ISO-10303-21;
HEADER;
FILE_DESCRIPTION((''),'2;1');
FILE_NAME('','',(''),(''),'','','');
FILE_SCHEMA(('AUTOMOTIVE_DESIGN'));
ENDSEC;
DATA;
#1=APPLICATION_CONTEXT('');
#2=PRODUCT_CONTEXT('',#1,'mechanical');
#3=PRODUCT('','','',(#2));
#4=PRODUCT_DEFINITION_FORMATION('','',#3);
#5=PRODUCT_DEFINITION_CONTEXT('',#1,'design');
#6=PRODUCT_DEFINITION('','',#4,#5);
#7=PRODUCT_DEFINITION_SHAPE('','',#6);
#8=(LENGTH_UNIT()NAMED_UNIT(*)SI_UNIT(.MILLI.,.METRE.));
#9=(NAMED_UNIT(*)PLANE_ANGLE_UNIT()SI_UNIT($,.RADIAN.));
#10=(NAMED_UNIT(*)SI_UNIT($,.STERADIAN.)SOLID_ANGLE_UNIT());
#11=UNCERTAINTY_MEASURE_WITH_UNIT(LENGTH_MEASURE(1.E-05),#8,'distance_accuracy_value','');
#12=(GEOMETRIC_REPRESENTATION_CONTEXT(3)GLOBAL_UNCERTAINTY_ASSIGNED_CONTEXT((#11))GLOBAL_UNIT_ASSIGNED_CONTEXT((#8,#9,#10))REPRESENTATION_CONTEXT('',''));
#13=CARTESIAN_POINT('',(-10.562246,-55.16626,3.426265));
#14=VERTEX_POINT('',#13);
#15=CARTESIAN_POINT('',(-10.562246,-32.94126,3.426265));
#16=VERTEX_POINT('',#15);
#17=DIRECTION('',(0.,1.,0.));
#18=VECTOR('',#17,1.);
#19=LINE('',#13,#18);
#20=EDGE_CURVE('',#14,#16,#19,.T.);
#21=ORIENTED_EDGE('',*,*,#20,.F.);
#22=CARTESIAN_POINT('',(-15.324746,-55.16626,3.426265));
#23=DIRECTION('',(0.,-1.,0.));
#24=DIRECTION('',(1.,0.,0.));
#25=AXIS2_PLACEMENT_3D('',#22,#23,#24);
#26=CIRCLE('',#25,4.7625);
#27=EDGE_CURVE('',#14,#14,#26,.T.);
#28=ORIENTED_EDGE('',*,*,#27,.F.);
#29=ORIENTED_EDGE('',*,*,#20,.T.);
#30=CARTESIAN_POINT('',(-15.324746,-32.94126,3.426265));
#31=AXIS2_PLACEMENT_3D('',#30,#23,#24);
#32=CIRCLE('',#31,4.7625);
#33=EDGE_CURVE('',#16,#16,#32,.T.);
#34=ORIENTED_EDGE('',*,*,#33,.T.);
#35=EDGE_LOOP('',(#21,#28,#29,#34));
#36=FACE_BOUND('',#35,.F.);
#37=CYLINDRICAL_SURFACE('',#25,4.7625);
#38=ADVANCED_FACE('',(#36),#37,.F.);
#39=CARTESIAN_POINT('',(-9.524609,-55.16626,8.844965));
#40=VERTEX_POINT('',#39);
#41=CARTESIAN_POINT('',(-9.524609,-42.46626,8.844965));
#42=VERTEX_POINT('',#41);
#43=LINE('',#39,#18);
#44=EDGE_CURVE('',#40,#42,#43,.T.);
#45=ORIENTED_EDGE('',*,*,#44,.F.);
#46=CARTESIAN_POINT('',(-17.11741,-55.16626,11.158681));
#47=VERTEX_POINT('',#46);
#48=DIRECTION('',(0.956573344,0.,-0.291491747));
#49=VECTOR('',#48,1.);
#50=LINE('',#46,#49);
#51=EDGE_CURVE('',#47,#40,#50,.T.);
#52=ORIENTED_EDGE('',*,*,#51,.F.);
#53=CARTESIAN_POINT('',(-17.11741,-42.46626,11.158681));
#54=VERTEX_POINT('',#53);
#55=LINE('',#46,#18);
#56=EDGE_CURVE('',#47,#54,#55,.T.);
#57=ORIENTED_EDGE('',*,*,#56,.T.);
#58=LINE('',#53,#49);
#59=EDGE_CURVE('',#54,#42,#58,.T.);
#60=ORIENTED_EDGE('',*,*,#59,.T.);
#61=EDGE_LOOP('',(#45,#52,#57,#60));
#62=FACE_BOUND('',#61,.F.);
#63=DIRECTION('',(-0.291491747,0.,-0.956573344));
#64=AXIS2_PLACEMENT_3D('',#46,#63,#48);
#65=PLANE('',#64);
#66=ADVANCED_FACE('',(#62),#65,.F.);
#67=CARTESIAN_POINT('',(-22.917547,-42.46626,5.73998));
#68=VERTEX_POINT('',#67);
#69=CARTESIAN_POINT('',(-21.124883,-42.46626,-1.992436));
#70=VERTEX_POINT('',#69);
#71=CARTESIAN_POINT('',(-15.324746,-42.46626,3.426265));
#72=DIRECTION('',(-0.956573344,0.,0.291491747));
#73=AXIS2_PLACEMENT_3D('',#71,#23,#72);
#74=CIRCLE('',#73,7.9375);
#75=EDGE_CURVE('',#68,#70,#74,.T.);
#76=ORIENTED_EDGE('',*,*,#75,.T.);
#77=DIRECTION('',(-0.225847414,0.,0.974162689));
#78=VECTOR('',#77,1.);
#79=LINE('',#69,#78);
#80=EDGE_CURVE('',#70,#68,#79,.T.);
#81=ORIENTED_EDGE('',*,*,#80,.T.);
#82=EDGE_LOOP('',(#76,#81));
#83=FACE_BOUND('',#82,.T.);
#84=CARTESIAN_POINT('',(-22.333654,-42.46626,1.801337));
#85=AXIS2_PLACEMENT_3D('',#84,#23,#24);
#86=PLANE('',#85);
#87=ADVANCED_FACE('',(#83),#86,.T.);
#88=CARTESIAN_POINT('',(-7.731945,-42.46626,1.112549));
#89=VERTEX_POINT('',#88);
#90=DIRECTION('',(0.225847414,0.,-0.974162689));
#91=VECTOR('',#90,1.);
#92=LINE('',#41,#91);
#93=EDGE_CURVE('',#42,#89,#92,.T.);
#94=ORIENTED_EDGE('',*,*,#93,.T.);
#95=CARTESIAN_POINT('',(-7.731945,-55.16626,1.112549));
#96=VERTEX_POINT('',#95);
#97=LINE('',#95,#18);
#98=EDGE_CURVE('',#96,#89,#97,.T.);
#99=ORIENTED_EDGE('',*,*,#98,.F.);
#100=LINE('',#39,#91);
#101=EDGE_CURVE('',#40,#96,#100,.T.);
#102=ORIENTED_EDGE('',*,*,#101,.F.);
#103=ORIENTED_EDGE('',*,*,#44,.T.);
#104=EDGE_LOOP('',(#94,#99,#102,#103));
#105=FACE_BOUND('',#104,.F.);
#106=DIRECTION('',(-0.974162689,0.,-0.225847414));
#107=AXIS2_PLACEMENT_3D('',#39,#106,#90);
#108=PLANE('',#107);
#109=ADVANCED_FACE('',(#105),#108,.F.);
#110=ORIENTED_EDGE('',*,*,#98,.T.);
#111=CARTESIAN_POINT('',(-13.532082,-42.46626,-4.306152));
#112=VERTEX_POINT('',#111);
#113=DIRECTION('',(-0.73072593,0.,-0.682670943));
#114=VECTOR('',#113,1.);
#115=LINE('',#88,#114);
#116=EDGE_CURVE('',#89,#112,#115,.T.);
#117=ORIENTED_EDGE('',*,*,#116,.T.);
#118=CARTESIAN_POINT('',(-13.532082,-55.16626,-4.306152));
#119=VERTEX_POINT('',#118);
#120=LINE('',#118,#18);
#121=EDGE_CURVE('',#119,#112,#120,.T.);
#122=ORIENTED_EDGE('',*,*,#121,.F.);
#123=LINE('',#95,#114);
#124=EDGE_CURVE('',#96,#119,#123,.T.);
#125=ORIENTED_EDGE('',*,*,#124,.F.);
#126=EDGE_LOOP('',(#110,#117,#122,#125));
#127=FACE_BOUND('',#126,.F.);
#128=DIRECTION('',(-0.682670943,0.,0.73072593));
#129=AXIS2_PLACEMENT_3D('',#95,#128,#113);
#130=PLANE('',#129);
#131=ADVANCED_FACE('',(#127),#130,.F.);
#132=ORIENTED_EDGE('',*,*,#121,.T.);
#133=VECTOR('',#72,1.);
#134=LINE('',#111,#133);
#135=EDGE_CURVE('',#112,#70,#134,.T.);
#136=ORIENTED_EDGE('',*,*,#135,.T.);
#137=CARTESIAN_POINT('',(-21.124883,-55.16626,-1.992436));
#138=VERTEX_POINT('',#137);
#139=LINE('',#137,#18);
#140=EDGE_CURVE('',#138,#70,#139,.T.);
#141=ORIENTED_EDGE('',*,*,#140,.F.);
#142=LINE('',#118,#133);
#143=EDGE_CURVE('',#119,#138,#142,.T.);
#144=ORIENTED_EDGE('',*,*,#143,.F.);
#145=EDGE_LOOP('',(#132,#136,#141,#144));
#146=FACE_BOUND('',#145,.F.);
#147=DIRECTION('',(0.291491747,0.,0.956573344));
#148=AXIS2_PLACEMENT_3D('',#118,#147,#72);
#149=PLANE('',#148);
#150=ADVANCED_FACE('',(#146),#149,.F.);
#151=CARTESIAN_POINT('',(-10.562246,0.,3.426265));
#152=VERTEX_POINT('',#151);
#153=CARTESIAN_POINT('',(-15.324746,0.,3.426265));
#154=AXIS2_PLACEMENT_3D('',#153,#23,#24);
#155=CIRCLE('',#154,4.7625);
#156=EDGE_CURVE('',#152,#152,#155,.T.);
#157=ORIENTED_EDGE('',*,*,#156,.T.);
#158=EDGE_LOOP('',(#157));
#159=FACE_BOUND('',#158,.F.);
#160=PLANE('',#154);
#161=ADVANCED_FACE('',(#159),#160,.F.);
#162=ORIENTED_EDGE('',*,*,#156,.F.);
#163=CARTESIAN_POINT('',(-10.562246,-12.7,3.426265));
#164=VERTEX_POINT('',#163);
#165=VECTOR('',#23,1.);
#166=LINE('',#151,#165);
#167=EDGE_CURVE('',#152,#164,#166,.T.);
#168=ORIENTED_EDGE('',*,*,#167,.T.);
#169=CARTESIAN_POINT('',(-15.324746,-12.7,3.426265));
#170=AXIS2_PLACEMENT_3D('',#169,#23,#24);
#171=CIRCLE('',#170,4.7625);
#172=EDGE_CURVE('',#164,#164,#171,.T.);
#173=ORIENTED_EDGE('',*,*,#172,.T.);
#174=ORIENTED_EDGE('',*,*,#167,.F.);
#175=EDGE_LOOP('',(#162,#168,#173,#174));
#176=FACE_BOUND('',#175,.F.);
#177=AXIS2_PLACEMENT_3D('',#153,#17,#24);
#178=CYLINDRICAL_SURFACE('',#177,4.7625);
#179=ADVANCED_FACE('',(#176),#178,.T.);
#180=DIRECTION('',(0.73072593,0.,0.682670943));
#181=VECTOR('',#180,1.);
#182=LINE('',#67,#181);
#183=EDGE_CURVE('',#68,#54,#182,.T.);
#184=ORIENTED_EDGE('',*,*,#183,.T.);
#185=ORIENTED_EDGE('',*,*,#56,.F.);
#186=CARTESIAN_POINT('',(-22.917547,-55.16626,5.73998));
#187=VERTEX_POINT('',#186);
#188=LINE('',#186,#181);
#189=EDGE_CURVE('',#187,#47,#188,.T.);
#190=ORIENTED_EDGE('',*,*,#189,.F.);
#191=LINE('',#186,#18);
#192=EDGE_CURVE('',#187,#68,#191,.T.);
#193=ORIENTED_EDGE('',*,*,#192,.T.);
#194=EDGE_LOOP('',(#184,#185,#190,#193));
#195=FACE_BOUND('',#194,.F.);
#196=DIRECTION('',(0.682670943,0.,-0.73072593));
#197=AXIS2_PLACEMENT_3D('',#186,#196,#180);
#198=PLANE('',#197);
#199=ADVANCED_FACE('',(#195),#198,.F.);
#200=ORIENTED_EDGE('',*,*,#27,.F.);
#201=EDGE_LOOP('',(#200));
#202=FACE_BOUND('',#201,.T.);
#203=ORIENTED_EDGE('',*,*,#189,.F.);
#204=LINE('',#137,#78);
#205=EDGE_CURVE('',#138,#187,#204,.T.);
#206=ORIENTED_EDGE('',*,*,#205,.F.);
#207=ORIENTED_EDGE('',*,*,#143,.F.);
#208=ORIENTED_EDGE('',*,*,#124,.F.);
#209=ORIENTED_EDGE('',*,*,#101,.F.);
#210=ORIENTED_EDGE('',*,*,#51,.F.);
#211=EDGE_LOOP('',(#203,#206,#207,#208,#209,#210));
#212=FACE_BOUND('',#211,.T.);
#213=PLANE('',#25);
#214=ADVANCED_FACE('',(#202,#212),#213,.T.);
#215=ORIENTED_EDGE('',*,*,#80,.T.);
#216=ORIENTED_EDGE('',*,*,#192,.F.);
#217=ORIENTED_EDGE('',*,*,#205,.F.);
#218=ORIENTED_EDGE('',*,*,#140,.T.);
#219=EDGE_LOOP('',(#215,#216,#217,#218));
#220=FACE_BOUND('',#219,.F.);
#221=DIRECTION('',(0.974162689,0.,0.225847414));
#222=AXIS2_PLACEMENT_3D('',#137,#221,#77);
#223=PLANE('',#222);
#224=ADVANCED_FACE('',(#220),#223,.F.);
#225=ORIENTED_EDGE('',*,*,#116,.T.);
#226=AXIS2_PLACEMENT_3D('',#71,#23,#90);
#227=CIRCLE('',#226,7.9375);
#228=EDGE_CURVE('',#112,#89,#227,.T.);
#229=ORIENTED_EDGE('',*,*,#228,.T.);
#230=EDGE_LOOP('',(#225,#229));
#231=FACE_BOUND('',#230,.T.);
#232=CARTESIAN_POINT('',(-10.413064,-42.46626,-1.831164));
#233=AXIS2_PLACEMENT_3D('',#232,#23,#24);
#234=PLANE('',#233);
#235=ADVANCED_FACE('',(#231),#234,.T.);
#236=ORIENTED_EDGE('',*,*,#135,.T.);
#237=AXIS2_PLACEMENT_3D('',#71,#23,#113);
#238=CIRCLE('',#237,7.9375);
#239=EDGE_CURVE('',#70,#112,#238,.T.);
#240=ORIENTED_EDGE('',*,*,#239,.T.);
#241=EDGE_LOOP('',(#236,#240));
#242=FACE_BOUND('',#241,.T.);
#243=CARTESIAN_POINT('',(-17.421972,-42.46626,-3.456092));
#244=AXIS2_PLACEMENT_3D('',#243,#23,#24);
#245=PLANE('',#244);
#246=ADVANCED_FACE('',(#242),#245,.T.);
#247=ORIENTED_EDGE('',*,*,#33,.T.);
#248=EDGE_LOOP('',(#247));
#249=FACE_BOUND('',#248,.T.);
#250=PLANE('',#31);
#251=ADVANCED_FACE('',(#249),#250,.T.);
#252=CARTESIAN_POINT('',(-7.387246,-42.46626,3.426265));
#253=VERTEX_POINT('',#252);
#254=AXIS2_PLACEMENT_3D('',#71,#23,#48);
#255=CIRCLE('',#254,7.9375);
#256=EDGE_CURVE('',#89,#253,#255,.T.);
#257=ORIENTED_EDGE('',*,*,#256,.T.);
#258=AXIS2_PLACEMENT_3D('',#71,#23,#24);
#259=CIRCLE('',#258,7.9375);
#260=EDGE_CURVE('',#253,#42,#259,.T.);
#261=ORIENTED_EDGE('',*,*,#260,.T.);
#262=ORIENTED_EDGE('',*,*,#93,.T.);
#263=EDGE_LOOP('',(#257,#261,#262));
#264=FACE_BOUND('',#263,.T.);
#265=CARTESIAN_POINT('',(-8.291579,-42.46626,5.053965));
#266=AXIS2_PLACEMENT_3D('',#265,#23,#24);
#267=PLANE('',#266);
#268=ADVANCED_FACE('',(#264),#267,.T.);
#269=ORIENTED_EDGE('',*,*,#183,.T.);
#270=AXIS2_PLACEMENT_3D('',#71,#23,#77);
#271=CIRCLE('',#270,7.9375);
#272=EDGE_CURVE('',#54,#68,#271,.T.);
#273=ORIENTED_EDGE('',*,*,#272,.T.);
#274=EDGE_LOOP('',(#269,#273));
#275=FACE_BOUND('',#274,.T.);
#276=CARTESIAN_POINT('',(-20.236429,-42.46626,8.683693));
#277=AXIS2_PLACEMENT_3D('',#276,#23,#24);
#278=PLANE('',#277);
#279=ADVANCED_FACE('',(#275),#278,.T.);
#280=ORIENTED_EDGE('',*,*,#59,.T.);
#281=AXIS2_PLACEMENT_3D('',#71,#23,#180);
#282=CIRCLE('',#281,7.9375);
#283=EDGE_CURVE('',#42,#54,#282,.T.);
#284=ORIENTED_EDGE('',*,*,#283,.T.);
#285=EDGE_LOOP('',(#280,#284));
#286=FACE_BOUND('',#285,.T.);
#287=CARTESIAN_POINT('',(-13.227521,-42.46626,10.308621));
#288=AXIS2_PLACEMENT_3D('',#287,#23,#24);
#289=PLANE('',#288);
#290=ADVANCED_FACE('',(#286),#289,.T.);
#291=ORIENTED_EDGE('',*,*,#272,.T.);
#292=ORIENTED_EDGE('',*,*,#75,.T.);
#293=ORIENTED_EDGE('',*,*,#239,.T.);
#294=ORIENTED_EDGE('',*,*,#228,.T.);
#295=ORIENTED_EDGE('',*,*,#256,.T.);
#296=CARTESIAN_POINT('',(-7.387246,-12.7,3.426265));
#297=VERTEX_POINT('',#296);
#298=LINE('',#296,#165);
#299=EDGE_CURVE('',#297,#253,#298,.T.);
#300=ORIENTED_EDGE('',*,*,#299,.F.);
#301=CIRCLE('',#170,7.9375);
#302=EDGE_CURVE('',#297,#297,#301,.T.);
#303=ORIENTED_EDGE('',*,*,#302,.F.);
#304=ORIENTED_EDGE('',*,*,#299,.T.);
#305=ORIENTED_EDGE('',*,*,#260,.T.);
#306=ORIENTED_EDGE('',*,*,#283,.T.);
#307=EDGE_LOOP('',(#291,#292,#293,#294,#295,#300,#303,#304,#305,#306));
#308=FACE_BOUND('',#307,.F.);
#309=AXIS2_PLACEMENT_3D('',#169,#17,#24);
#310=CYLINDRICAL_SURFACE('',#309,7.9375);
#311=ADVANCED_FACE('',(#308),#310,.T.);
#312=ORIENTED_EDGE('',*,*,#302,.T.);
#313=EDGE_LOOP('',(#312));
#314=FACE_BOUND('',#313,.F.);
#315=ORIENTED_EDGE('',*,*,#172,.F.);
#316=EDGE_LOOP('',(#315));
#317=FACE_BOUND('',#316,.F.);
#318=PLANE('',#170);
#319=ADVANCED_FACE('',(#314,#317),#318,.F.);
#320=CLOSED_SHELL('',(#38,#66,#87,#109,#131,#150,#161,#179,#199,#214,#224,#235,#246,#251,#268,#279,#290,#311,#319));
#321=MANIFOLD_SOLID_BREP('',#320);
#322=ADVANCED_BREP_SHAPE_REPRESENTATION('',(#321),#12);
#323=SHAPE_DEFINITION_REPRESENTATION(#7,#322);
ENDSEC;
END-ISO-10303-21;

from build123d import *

# Parameters (mm, degrees)
F0_R     = 9.525
F1_DEPTH = 44.45
F2_DEPTH = 19.05
F3_R     = 15.875
F3_R_2   = 9.525
F4_DEPTH = 84.93252
F5_R     = 9.525
F6_DEPTH = 44.45
F8_DEPTH = 25.4
F9_SCALE = 0.5


with BuildPart() as f1:
    # F0 (on Front) → F1 (new body)
    with BuildSketch(Plane.XZ):
        with Locations((-30.6494925171, 6.8525290117)):
            Circle(F0_R)
    extrude(amount=F1_DEPTH)

    # F2 (cut): a face of the model
    f2_faces = [f1.faces().sort_by_distance(p)[0] for p in [
        (-30.6494925171, -44.45, 6.8525290117),
    ]]
    extrude(f2_faces, amount=-F2_DEPTH, mode=Mode.SUBTRACT)

    # F3 (on face) → F4 (join)
    with BuildSketch(Plane.XZ.offset(25.4)):
        with Locations((-30.6494925171, 6.8525290117)):
            Circle(F3_R)
        with Locations((-30.6494925171, 6.8525290117)):
            Circle(F3_R_2, mode=Mode.SUBTRACT)
        with Locations((-30.6494925171, 6.8525290117)):
            Circle(F3_R_2)
    extrude(amount=F4_DEPTH)

    # F5 (on face) → F6 (cut)
    with BuildSketch(Plane.XZ.offset(110.33252)):
        with Locations((-30.6494925171, 6.8525290117)):
            Circle(F5_R)
    extrude(amount=-F6_DEPTH, mode=Mode.SUBTRACT)

    # F7 (on face) → F8 (cut)
    with BuildSketch(Plane.XZ.offset(110.33252)):
        with BuildLine():
            Line((-45.8350943452, 11.4799604934), (-34.2348202137, 22.3173617074))
            ThreePointArc((-34.2348202137, 22.3173617074), (-41.4868937311, 18.4528031432), (-45.8350943452, 11.4799604934))
        make_face()
        with BuildLine():
            Line((-42.2497666486, -3.9848722024), (-45.8350943452, 11.4799604934))
            ThreePointArc((-45.8350943452, 11.4799604934), (-46.1143252129, 3.2672013151), (-42.2497666486, -3.9848722024))
        make_face()
        with BuildLine():
            ThreePointArc((-42.2497666486, -3.9848722024), (-35.2769239989, -8.3330728164), (-27.0641648205, -8.6123036841))
            Line((-27.0641648205, -8.6123036841), (-42.2497666486, -3.9848722024))
        make_face()
        with BuildLine():
            ThreePointArc((-27.0641648205, -8.6123036841), (-19.8120913031, -4.7477451198), (-15.463890689, 2.2250975299))
            Line((-15.463890689, 2.2250975299), (-27.0641648205, -8.6123036841))
        make_face()
        with BuildLine():
            ThreePointArc((-14.7744925171, 6.8525290117), (-15.8817916663, 12.6775300058), (-19.0492183856, 17.6899302257))
            Line((-19.0492183856, 17.6899302257), (-15.463890689, 2.2250975299))
            ThreePointArc((-15.463890689, 2.2250975299), (-14.9477879278, 4.5132774242), (-14.7744925171, 6.8525290117))
        make_face()
        with BuildLine():
            Line((-34.2348202137, 22.3173617074), (-19.0492183856, 17.6899302257))
            ThreePointArc((-19.0492183856, 17.6899302257), (-26.0220610354, 22.0381308398), (-34.2348202137, 22.3173617074))
        make_face()
    extrude(amount=-F8_DEPTH, mode=Mode.SUBTRACT)


with BuildPart() as f1_1:
    # F9: moved
    add(f1.part.scale(F9_SCALE))


solid = f1_1.part
